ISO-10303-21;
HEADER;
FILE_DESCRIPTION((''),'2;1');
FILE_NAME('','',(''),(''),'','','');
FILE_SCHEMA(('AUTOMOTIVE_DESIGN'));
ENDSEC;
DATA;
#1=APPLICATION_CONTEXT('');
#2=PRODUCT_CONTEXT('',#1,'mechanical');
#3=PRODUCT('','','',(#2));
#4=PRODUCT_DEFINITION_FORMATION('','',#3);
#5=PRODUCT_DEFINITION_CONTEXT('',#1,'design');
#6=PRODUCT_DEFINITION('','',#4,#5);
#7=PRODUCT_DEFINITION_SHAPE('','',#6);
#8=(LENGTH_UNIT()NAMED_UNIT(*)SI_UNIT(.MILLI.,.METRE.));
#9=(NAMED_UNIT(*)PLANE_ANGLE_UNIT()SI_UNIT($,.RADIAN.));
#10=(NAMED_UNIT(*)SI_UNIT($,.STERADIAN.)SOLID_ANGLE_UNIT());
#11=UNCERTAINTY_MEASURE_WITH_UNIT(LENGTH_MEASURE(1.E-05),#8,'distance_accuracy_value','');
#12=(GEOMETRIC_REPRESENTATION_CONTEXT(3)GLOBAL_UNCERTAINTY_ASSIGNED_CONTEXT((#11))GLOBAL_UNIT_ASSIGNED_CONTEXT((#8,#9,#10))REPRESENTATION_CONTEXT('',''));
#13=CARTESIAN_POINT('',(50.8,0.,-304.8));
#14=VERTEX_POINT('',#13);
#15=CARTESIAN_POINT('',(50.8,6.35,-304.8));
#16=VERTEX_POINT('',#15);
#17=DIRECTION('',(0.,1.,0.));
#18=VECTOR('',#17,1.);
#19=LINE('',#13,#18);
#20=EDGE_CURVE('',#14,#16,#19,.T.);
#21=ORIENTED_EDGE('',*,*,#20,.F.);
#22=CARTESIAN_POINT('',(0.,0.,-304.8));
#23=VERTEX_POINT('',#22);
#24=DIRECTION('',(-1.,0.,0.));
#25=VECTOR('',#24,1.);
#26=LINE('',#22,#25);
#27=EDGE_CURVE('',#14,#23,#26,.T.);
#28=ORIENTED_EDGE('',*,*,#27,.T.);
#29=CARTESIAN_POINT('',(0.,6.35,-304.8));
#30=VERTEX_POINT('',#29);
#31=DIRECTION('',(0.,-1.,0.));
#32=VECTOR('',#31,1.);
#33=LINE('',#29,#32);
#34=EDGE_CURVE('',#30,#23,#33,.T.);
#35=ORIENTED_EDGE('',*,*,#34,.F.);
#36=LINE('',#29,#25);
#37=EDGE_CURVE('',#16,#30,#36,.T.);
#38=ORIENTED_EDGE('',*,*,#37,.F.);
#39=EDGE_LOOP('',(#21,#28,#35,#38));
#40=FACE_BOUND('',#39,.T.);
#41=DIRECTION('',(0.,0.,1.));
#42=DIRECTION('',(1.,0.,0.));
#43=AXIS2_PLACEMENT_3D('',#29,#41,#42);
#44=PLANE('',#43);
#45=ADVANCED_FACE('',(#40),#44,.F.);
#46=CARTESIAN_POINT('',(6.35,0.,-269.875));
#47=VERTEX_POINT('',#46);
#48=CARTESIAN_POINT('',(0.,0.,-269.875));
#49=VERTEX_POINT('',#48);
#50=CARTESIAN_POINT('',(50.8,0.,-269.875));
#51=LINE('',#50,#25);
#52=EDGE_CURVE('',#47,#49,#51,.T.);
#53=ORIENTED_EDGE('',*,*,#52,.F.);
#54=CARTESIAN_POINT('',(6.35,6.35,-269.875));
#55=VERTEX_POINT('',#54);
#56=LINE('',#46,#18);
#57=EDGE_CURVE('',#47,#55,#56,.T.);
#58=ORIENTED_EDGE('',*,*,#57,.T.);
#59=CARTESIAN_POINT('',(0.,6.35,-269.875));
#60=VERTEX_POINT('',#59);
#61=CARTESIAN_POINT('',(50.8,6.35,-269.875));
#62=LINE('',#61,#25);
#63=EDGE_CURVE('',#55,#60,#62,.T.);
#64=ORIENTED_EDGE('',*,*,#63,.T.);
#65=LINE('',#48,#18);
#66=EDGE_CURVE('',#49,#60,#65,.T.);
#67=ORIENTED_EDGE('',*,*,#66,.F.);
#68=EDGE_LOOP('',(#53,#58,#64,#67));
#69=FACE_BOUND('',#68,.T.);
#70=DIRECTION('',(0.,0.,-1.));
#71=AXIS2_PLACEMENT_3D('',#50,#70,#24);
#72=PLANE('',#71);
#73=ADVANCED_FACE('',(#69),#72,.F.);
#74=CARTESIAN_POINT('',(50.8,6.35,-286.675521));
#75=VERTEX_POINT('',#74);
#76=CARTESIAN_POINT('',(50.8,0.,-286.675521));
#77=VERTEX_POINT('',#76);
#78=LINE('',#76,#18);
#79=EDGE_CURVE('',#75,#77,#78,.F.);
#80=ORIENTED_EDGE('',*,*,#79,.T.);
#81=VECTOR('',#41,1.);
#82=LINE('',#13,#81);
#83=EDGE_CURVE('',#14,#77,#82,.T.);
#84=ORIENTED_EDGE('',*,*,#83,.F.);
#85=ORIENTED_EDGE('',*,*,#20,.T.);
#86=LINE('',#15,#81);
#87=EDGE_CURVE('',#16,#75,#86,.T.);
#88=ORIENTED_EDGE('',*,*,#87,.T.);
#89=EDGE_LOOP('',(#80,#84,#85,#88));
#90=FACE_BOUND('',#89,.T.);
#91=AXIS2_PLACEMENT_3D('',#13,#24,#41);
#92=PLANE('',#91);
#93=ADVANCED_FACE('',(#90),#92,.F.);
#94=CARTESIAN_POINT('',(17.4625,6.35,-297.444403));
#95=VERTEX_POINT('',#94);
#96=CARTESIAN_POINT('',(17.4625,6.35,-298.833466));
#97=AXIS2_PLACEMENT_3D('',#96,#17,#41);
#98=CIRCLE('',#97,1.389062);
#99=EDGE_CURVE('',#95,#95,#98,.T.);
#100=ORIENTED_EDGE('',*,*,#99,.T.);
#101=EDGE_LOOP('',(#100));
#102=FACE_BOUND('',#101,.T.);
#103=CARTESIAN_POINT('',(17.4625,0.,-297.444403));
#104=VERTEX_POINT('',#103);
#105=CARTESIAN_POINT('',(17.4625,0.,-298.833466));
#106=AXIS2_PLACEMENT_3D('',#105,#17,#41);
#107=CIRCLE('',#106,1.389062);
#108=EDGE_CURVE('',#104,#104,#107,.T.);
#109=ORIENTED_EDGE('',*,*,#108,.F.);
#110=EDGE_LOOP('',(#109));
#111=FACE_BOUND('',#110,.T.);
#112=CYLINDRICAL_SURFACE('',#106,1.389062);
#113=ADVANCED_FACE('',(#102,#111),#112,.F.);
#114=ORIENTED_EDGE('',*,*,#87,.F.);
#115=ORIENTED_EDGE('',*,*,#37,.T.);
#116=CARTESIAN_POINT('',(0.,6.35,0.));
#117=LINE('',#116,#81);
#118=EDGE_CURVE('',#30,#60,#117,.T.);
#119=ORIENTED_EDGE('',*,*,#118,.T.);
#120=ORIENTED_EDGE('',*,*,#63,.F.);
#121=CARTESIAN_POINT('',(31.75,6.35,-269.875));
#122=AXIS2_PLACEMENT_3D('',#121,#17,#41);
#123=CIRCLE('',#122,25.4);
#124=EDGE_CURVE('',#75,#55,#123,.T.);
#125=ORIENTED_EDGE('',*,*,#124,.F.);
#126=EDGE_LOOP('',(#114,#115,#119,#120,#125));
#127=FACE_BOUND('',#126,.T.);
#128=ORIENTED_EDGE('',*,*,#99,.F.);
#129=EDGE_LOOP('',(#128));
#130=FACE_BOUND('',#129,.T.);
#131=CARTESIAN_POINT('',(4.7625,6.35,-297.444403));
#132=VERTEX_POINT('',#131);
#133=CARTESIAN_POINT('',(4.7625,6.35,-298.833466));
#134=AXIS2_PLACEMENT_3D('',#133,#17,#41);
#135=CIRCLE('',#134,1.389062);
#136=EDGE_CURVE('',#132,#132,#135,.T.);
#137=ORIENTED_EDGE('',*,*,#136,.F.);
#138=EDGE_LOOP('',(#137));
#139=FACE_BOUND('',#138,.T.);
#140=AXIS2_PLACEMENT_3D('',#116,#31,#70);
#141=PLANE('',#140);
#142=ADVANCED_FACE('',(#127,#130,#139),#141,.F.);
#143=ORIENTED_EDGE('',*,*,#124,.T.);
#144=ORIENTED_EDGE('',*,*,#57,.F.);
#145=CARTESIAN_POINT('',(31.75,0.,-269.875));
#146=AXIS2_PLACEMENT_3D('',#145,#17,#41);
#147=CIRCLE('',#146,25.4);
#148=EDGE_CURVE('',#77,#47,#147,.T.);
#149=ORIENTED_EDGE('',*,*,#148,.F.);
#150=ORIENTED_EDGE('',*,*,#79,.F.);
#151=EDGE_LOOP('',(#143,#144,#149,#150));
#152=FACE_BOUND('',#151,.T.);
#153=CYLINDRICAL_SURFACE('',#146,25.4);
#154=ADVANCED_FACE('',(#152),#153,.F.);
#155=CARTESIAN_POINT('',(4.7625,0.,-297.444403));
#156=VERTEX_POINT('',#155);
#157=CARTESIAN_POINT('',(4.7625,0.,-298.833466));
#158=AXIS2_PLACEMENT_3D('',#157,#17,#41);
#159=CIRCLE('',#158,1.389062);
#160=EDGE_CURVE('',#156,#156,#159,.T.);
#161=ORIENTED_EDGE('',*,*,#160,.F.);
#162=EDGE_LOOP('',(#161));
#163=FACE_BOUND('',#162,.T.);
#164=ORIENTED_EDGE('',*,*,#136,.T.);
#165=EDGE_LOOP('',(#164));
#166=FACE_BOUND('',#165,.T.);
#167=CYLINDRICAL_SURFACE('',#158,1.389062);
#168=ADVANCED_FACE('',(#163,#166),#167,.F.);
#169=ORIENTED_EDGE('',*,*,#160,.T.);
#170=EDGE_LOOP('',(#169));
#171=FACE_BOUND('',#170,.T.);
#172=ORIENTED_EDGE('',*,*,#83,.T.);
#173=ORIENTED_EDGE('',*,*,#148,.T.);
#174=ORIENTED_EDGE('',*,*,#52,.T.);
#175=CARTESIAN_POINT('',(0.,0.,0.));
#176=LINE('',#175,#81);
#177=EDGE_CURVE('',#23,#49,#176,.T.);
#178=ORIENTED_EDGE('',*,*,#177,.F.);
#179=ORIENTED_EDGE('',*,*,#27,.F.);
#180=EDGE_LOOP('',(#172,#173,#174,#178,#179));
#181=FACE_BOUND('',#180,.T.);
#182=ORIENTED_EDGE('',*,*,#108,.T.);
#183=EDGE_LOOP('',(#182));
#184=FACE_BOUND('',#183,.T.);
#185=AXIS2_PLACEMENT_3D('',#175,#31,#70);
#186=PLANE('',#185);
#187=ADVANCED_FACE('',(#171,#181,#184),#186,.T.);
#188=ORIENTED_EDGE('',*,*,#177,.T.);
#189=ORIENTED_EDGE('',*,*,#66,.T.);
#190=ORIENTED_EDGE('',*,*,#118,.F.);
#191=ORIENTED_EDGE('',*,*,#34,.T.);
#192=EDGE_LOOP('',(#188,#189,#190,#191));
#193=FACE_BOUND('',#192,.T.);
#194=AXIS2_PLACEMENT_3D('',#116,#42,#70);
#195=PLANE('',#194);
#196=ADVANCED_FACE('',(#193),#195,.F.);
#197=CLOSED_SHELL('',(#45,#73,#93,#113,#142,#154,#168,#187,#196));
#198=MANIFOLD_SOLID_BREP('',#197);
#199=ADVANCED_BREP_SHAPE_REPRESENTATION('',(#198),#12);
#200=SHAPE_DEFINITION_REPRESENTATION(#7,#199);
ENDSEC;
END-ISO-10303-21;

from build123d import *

# Parameters (mm, degrees)
SKETCH1_W           = 304.8
SKETCH1_H           = 304.8
BOSS_EXTRUDE1_DEPTH = 6.35
CUT_EXTRUDE1_DEPTH  = 432.099063441
SKETCH3_R           = 25.4
CUT_EXTRUDE2_DEPTH  = 310.0695755
SKETCH4_R           = 1.3890625
CUT_EXTRUDE3_DEPTH  = 310.0695755


with BuildPart() as part:
    # Sketch1 → Boss-Extrude1 (new body)
    with BuildSketch(Plane(origin=(0, 0, 0), x_dir=(1, 0, 0), z_dir=(0, 1, 0))):
        with Locations((152.4, 152.4)):
            Rectangle(SKETCH1_W, SKETCH1_H)
    extrude(amount=BOSS_EXTRUDE1_DEPTH)

    # Sketch2 → Cut-Extrude1 (cut, through all)
    with BuildSketch(Plane(origin=(0, 6.35, 0), x_dir=(1, 0, 0), z_dir=(0, 1, 0))):
        Polygon((50.8, 304.8), (50.8, 269.875), (0, 269.875), (0, 0), (304.8, 0), (304.8, 304.8), align=None)
    extrude(amount=-CUT_EXTRUDE1_DEPTH, mode=Mode.SUBTRACT)

    # Sketch3 → Cut-Extrude2 (cut, through all)
    with BuildSketch(Plane(origin=(0, 6.35, 0), x_dir=(1, 0, 0), z_dir=(0, 1, 0))):
        with Locations((31.75, 269.875)):
            Circle(SKETCH3_R)
    extrude(amount=-CUT_EXTRUDE2_DEPTH, mode=Mode.SUBTRACT)

    # Sketch4 → Cut-Extrude3 (cut, through all)
    with BuildSketch(Plane(origin=(0, 6.35, 0), x_dir=(1, 0, 0), z_dir=(0, 1, 0))):
        with Locations(Location((4.7625, 298.833465882, 0), (0, 0, 270))):
            Circle(SKETCH4_R)
        with Locations(Location((17.4625, 298.833465882, 0), (0, 0, 270))):
            Circle(SKETCH4_R)
    extrude(amount=-CUT_EXTRUDE3_DEPTH, mode=Mode.SUBTRACT)


solid = part.part
